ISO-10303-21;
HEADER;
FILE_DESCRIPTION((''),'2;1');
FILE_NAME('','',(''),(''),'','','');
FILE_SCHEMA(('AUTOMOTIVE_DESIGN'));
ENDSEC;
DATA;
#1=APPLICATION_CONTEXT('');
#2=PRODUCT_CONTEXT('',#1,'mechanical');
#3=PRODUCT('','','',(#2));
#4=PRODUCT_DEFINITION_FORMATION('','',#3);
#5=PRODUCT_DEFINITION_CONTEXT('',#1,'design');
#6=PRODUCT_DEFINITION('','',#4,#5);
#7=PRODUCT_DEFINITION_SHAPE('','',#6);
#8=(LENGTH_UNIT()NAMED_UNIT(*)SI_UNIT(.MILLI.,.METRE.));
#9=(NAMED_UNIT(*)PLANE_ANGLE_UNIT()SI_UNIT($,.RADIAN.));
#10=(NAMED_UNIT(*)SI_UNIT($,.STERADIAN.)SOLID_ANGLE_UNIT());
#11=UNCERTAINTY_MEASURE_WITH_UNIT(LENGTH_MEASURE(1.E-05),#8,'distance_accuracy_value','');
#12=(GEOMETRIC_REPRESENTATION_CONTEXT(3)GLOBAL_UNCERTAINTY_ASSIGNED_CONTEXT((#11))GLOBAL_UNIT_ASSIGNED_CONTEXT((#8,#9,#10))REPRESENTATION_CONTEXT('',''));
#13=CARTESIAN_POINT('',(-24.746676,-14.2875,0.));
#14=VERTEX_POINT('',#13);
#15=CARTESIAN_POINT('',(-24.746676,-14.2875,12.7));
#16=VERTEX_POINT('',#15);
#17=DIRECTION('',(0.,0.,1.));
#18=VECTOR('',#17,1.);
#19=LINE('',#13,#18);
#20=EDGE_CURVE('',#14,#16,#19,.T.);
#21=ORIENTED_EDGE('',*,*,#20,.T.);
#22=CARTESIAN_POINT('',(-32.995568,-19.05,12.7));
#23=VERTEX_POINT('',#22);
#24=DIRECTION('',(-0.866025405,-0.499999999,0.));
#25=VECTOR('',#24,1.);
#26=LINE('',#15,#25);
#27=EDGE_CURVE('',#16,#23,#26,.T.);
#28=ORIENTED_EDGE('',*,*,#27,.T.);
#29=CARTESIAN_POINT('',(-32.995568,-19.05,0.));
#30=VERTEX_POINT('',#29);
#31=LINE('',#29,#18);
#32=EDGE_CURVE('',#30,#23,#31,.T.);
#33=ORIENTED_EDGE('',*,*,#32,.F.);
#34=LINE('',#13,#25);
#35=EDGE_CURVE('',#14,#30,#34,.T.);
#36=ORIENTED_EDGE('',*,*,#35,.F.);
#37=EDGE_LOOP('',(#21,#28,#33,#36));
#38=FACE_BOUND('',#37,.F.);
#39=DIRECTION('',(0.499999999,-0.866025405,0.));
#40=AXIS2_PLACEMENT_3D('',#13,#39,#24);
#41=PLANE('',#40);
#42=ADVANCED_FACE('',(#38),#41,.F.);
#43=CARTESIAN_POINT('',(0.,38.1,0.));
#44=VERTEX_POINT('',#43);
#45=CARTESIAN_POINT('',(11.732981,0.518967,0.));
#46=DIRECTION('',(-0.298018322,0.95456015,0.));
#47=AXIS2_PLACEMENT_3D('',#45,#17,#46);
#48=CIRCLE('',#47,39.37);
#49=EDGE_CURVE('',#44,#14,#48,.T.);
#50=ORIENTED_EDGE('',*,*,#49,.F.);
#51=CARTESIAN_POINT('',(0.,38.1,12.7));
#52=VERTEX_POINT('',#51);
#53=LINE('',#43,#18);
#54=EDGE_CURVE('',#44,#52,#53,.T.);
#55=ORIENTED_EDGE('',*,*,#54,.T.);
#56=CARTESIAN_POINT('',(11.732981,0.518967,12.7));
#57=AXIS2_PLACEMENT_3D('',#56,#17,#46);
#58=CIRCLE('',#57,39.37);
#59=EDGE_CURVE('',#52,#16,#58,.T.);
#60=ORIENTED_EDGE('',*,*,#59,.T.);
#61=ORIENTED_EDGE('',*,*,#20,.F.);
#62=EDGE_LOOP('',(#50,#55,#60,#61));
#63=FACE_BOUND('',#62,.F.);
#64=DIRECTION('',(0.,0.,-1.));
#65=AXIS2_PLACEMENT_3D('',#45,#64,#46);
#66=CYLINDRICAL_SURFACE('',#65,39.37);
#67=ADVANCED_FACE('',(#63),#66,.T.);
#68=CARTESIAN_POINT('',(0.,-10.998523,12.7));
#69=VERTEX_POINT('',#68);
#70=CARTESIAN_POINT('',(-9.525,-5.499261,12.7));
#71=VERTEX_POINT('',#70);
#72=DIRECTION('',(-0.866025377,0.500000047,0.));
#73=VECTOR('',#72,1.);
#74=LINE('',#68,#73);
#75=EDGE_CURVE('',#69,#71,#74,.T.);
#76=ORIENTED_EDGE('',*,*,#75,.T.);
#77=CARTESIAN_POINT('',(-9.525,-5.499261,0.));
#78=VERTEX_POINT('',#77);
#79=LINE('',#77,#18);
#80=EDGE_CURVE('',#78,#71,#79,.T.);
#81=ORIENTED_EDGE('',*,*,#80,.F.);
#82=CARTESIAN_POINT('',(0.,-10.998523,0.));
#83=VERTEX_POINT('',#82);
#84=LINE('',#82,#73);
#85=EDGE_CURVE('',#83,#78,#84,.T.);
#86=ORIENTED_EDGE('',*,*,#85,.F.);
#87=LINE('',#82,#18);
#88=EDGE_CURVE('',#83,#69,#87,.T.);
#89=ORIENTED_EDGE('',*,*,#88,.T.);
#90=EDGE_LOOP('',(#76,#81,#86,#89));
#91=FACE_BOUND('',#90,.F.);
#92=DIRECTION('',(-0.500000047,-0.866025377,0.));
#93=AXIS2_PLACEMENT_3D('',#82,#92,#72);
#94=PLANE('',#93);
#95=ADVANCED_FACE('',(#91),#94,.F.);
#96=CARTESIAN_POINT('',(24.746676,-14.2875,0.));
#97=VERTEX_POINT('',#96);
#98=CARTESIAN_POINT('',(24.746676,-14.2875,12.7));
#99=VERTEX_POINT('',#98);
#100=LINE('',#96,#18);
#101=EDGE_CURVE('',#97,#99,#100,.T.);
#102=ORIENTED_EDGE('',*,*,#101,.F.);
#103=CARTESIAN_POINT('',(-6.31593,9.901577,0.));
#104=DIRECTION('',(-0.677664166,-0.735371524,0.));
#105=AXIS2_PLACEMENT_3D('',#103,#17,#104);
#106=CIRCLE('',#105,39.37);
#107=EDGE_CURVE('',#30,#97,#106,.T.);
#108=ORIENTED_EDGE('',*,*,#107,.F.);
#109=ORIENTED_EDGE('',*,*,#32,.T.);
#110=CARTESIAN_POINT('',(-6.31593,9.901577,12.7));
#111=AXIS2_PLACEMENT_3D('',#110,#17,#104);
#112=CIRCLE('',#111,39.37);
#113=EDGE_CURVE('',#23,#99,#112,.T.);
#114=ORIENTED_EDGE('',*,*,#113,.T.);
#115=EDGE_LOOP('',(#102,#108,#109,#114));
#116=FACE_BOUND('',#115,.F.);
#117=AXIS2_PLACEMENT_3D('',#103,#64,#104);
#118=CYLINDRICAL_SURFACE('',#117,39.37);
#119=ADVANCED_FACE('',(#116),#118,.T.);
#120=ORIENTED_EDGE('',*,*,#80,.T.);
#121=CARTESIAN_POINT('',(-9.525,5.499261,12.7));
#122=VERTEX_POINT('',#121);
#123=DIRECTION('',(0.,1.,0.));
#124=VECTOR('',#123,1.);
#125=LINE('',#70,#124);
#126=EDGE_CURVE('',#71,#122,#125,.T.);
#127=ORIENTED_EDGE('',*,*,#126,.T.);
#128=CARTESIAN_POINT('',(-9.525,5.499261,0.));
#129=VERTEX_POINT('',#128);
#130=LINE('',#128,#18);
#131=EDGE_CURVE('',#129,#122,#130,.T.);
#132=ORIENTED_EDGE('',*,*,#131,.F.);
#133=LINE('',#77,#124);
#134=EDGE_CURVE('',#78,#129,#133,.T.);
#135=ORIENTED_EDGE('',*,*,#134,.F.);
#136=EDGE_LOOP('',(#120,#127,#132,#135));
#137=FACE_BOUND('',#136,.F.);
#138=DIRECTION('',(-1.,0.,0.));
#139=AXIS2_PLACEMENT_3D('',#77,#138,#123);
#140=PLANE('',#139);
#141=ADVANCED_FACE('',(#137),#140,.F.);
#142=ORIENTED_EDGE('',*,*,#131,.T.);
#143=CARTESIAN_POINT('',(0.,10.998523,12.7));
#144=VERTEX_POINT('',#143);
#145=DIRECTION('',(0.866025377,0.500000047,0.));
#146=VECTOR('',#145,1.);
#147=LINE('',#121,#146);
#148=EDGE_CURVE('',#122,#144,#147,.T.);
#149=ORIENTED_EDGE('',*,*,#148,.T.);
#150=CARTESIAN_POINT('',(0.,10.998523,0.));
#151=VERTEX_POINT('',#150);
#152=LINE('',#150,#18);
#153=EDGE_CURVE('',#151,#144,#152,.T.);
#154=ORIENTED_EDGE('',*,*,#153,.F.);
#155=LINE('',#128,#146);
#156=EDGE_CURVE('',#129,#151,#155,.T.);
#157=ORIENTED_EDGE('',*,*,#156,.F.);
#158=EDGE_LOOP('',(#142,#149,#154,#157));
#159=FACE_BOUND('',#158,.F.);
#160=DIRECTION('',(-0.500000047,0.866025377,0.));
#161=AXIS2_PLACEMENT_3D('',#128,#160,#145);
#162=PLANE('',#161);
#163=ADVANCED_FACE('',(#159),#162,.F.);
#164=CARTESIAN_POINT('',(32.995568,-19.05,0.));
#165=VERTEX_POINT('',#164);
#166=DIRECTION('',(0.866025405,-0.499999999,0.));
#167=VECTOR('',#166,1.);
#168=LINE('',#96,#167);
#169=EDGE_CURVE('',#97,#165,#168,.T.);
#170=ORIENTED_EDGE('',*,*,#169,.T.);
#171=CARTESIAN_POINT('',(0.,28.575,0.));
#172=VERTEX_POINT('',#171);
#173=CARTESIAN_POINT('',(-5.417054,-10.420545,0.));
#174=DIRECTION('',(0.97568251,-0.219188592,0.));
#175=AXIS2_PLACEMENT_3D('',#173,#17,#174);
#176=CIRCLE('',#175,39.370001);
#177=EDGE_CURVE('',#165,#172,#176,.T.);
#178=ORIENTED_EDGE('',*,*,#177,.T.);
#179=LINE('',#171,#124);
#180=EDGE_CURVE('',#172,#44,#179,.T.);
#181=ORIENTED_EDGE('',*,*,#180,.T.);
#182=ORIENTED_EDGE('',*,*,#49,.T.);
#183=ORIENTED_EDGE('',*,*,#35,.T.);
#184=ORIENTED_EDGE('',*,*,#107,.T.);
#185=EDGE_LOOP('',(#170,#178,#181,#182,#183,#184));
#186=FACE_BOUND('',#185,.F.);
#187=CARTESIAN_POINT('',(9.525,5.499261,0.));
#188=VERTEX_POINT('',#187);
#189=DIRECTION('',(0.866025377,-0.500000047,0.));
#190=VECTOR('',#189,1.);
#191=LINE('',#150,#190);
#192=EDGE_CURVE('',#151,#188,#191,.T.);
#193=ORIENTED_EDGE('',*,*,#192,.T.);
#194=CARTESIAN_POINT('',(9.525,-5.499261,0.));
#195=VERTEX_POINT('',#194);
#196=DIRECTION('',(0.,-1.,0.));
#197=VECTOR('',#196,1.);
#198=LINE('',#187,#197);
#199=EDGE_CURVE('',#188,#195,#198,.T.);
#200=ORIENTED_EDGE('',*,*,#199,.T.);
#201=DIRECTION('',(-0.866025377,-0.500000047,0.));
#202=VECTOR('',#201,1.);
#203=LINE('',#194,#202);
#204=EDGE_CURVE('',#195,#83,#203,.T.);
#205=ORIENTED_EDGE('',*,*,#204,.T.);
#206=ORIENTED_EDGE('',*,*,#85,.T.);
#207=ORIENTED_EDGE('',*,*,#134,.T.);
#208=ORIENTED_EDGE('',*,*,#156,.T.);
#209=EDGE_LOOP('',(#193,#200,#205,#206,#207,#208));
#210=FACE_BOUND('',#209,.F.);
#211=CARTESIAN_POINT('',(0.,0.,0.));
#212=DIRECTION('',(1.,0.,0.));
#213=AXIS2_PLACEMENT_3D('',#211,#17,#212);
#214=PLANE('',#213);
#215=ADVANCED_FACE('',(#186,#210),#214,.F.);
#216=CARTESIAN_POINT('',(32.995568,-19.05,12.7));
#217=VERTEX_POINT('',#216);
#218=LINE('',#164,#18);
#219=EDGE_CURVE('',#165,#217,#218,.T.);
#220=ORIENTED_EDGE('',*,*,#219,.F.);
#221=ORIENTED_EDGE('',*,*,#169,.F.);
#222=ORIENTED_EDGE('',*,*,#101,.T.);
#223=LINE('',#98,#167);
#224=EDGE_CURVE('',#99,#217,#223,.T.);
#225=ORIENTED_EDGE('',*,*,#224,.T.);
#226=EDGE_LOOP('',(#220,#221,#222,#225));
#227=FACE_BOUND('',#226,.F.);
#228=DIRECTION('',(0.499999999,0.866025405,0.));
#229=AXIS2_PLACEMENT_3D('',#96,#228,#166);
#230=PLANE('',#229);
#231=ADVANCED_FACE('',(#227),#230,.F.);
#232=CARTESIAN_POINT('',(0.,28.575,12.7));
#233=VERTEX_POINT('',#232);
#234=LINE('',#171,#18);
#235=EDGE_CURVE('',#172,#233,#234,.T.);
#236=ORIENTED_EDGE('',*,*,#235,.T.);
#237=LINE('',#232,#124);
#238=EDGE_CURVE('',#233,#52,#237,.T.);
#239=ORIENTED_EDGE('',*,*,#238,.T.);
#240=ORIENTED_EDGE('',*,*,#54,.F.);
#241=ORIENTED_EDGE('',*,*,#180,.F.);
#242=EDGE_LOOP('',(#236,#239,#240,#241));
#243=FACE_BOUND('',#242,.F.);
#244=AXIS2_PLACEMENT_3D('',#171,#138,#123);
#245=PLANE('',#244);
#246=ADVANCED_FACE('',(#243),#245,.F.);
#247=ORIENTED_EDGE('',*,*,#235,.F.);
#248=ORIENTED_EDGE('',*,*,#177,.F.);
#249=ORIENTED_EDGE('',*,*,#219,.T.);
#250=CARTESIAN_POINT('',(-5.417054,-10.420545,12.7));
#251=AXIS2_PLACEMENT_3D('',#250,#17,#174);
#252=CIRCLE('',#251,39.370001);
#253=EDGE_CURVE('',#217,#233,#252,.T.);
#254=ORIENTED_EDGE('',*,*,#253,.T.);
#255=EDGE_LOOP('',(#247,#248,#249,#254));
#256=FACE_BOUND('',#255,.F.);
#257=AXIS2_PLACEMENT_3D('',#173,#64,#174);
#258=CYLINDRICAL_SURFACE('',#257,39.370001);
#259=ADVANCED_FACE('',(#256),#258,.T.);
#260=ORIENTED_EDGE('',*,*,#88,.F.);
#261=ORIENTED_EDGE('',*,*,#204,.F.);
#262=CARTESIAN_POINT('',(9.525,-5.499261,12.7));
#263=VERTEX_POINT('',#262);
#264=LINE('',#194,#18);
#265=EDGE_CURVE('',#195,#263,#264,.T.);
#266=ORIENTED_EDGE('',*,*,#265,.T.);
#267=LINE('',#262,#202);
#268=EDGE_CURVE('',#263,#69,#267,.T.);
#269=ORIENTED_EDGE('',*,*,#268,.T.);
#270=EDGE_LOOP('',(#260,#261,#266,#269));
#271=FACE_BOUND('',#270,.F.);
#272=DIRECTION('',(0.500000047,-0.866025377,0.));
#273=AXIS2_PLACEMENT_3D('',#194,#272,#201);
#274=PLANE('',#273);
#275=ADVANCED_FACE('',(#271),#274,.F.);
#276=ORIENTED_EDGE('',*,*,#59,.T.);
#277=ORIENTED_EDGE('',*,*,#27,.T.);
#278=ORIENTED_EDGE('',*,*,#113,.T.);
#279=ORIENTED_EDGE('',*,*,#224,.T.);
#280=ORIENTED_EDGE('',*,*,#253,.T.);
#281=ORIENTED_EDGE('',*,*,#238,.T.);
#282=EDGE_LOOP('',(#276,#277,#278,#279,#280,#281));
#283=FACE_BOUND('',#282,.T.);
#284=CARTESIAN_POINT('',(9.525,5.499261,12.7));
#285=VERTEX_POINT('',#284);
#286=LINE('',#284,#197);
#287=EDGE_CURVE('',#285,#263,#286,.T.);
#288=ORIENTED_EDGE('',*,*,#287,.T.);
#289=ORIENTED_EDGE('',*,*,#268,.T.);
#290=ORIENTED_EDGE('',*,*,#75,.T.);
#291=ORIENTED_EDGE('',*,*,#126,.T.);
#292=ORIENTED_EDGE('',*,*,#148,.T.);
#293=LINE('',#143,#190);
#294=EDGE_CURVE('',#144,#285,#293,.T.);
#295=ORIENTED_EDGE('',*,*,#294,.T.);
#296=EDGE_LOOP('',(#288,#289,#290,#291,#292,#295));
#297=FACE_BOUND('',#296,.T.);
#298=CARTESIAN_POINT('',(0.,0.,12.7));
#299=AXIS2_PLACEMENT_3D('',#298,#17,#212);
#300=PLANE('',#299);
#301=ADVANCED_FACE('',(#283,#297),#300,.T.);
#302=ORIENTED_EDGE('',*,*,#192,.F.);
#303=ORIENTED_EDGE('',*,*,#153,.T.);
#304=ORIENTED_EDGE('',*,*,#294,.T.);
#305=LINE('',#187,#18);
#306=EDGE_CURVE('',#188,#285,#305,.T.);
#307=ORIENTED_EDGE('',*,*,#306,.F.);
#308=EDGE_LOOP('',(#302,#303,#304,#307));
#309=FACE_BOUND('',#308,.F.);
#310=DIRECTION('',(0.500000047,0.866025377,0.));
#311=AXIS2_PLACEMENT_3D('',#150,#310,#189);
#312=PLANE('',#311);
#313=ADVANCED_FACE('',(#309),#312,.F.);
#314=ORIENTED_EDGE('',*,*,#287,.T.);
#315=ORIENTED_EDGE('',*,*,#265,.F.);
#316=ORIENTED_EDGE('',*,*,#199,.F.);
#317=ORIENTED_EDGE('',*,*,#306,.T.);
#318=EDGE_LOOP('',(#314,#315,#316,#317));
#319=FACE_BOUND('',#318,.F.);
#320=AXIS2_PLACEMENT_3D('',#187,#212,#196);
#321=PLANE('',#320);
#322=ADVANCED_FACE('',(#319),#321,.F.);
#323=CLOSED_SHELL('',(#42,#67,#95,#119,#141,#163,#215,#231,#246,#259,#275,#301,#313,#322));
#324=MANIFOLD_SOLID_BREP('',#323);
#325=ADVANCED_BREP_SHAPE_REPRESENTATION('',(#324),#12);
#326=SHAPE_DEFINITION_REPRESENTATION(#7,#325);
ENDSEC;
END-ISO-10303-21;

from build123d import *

# Parameters (mm, degrees)
F1_DEPTH = 12.7


with BuildPart() as f1:
    # F0 (on Top) → F1 (new body)
    with BuildSketch(Plane.XY):
        with BuildLine():
            Line((0, 28.575), (0, 38.1))
            ThreePointArc((0, 38.1), (-23.865153, 17.334725), (-24.746676, -14.2875))
            Line((-24.746676, -14.2875), (-32.995568, -19.05))
            ThreePointArc((-32.995568, -19.05), (-3.079736, -29.335191), (24.746676, -14.2875))
            Line((24.746676, -14.2875), (32.995568, -19.05))
            ThreePointArc((32.995568, -19.05), (26.944888, 12.000466), (0, 28.575))
        make_face()
        Polygon((0, 10.998523), (9.525, 5.499261), (9.525, -5.499261), (0, -10.998523), (-9.525, -5.499261), (-9.525, 5.499261), align=None, mode=Mode.SUBTRACT)
    extrude(amount=F1_DEPTH)


solid = f1.part
